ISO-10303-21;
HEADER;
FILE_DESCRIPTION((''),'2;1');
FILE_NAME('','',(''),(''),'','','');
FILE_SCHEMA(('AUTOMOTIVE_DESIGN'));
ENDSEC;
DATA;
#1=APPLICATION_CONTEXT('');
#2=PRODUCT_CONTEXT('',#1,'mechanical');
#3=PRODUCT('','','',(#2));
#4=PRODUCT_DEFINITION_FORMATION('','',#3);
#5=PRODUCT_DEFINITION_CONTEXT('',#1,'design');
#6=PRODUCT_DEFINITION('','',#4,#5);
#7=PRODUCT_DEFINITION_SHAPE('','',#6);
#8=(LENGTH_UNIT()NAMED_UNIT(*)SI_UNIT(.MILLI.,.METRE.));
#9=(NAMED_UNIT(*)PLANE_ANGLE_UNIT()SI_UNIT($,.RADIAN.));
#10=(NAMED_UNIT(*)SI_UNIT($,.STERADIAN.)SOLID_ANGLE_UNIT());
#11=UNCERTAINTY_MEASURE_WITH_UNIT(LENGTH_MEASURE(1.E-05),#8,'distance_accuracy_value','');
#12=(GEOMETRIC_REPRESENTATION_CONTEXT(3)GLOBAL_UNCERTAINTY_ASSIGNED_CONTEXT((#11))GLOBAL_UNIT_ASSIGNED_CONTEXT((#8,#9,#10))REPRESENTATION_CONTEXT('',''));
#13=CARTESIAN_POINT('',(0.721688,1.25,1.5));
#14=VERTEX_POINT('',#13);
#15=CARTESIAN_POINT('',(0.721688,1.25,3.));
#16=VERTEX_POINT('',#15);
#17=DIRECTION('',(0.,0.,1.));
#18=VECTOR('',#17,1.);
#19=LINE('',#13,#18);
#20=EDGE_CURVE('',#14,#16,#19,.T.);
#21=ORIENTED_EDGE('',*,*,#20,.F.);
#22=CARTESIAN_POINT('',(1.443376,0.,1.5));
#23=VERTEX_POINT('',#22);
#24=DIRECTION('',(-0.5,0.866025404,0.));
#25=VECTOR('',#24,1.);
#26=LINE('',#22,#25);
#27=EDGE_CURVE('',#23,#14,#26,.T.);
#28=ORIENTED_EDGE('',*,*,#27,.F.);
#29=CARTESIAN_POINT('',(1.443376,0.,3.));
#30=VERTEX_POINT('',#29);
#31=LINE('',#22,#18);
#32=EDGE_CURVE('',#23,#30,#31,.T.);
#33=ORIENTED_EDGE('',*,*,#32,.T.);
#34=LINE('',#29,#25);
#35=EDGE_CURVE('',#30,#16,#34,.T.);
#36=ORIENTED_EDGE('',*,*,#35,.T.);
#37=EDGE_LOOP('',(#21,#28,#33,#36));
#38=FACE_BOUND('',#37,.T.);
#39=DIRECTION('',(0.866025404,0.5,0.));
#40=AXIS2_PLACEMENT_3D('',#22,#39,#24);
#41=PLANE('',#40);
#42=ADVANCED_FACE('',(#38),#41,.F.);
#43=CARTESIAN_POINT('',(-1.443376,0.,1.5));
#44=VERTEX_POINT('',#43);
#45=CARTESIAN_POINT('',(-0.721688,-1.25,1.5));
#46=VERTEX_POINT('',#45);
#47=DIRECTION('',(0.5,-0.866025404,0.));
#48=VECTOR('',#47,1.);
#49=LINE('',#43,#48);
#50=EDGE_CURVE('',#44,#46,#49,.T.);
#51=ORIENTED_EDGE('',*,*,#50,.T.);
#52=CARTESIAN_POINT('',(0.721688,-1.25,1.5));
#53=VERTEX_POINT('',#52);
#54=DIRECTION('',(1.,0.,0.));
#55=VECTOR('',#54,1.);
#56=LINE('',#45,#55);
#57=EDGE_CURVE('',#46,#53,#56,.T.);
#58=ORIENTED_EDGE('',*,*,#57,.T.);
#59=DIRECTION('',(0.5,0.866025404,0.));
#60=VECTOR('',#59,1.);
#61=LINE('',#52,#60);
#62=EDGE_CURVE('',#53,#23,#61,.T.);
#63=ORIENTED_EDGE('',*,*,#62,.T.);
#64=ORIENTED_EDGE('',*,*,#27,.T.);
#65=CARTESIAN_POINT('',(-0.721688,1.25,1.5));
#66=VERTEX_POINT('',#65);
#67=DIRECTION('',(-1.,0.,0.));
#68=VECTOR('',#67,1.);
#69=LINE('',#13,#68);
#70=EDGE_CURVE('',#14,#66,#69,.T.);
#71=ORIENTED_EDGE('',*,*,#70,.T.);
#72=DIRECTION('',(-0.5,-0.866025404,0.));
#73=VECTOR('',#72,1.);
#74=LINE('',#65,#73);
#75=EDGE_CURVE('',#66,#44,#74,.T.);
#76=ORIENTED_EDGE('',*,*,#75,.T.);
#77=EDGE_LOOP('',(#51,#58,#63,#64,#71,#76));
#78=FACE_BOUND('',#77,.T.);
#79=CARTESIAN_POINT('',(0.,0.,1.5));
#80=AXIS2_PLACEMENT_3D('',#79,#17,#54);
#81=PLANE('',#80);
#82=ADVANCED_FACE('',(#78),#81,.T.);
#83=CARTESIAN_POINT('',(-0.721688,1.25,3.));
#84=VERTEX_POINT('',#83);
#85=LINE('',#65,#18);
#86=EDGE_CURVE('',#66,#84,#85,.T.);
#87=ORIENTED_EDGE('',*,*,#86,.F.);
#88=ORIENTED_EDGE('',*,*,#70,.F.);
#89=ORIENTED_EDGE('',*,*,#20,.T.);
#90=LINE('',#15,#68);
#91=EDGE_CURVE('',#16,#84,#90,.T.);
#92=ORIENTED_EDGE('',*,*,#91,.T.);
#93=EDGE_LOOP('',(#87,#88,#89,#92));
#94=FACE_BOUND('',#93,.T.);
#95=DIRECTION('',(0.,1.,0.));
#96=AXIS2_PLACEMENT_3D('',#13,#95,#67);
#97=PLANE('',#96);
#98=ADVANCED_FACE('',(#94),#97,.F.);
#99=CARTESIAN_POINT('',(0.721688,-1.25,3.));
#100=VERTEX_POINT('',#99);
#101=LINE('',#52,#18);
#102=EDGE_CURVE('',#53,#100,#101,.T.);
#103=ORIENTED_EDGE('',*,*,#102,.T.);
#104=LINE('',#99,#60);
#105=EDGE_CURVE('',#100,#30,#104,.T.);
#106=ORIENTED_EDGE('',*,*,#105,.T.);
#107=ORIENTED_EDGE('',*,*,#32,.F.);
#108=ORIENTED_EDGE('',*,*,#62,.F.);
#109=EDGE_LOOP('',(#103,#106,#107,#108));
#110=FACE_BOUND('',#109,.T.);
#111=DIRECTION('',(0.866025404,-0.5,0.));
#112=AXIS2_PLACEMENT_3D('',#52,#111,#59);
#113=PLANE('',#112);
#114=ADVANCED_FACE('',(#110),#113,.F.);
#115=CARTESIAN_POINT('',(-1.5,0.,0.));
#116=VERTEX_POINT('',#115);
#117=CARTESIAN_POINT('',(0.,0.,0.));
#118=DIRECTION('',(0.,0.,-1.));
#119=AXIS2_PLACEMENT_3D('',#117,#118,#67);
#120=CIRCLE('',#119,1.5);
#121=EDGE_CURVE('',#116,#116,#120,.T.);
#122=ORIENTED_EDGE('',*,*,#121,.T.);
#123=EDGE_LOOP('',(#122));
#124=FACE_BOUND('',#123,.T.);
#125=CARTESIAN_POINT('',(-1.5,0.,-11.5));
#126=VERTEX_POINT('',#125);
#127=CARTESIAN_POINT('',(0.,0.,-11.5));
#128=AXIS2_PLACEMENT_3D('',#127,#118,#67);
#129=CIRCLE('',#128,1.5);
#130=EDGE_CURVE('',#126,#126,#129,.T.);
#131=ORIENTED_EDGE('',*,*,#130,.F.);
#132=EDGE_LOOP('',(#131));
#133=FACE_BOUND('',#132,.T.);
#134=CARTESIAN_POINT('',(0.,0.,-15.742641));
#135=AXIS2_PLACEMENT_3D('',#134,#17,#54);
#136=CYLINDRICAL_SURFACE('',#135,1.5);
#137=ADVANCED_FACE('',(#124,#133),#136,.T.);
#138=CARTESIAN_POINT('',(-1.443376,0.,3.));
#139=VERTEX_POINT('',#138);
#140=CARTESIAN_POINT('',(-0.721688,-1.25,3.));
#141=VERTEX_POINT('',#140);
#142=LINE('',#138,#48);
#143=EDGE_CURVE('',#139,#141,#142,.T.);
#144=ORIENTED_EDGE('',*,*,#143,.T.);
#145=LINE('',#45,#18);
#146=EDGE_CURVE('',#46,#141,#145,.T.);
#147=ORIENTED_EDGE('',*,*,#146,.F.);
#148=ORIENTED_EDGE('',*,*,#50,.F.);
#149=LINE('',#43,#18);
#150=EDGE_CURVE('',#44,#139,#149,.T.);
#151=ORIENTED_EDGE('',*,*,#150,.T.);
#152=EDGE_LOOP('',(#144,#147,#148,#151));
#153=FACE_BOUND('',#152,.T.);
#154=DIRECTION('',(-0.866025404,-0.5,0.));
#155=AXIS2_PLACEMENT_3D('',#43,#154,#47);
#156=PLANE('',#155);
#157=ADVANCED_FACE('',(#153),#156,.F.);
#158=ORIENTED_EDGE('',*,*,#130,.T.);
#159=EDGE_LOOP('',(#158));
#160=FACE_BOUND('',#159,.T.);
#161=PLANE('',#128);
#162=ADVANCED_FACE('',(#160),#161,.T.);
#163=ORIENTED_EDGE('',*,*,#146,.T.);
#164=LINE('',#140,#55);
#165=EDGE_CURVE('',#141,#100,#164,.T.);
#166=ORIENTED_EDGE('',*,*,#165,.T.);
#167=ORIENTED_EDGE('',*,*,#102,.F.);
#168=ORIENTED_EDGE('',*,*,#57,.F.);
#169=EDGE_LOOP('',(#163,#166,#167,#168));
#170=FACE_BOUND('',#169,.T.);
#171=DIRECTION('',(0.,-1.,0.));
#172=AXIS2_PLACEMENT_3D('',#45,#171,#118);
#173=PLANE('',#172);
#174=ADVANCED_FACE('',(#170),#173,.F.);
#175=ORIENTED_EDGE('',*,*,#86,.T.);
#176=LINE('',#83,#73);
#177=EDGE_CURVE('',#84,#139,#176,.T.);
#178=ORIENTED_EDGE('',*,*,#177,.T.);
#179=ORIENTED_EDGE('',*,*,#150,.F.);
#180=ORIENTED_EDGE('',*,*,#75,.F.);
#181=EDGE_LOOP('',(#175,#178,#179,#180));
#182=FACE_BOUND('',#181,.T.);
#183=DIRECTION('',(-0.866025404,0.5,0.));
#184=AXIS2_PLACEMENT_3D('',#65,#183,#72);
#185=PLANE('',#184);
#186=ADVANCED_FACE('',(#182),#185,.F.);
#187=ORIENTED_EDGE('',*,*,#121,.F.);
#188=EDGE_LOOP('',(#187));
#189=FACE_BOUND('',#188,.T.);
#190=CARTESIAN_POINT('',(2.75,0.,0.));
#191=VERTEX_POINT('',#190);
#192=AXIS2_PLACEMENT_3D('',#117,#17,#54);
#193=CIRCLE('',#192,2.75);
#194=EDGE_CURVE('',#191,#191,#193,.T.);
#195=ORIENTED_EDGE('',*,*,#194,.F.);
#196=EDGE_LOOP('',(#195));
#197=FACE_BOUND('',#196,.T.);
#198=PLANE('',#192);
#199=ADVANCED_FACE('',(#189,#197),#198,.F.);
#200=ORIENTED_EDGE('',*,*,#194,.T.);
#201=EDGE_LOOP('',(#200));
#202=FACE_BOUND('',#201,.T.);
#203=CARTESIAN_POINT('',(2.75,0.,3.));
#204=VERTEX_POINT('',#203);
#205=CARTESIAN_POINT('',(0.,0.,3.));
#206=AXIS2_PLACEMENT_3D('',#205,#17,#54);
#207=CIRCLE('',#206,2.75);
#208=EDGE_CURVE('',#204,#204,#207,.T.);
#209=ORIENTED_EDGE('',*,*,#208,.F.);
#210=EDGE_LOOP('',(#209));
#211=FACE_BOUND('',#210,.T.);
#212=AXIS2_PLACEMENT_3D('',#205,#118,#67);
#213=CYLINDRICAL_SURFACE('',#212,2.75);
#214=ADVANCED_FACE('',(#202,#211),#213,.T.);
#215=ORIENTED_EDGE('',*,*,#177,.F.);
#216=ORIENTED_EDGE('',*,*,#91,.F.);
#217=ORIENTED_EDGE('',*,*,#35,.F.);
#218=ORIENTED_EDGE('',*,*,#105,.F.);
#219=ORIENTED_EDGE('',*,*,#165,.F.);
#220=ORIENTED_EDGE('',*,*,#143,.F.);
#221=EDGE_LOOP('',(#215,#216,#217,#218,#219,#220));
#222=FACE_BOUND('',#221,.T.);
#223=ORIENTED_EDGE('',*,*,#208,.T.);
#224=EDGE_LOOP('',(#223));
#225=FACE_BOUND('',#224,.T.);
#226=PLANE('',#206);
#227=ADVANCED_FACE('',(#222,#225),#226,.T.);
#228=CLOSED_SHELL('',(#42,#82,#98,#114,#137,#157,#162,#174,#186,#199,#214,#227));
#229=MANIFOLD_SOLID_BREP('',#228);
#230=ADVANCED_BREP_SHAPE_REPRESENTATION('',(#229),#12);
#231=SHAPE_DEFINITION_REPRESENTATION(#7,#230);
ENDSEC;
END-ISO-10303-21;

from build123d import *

# Parameters (mm, degrees)
SKETCH2_R           = 2.75
BOSS_EXTRUDE1_DEPTH = 3
SKETCH3_R           = 1.5
BOSS_EXTRUDE2_DEPTH = 11.5
CUT_EXTRUDE1_DEPTH  = 1.5


with BuildPart() as part:
    # Sketch2 → Boss-Extrude1 (new body)
    with BuildSketch(Plane.XY):
        Circle(SKETCH2_R)
    extrude(amount=BOSS_EXTRUDE1_DEPTH)

    # Sketch3 → Boss-Extrude2 (add)
    with BuildSketch(Plane(origin=(0, 0, 0), x_dir=(-1, 0, 0), z_dir=(0, 0, -1))):
        Circle(SKETCH3_R)
    extrude(amount=BOSS_EXTRUDE2_DEPTH)

    # Sketch4 → Cut-Extrude1 (cut)
    with BuildSketch(Plane.XY.offset(3)):
        Polygon((1.443375673, 0), (0.721687836, 1.25), (-0.721687836, 1.25), (-1.443375673, 0), (-0.721687836, -1.25), (0.721687836, -1.25), align=None)
    extrude(amount=-CUT_EXTRUDE1_DEPTH, mode=Mode.SUBTRACT)


solid = part.part
